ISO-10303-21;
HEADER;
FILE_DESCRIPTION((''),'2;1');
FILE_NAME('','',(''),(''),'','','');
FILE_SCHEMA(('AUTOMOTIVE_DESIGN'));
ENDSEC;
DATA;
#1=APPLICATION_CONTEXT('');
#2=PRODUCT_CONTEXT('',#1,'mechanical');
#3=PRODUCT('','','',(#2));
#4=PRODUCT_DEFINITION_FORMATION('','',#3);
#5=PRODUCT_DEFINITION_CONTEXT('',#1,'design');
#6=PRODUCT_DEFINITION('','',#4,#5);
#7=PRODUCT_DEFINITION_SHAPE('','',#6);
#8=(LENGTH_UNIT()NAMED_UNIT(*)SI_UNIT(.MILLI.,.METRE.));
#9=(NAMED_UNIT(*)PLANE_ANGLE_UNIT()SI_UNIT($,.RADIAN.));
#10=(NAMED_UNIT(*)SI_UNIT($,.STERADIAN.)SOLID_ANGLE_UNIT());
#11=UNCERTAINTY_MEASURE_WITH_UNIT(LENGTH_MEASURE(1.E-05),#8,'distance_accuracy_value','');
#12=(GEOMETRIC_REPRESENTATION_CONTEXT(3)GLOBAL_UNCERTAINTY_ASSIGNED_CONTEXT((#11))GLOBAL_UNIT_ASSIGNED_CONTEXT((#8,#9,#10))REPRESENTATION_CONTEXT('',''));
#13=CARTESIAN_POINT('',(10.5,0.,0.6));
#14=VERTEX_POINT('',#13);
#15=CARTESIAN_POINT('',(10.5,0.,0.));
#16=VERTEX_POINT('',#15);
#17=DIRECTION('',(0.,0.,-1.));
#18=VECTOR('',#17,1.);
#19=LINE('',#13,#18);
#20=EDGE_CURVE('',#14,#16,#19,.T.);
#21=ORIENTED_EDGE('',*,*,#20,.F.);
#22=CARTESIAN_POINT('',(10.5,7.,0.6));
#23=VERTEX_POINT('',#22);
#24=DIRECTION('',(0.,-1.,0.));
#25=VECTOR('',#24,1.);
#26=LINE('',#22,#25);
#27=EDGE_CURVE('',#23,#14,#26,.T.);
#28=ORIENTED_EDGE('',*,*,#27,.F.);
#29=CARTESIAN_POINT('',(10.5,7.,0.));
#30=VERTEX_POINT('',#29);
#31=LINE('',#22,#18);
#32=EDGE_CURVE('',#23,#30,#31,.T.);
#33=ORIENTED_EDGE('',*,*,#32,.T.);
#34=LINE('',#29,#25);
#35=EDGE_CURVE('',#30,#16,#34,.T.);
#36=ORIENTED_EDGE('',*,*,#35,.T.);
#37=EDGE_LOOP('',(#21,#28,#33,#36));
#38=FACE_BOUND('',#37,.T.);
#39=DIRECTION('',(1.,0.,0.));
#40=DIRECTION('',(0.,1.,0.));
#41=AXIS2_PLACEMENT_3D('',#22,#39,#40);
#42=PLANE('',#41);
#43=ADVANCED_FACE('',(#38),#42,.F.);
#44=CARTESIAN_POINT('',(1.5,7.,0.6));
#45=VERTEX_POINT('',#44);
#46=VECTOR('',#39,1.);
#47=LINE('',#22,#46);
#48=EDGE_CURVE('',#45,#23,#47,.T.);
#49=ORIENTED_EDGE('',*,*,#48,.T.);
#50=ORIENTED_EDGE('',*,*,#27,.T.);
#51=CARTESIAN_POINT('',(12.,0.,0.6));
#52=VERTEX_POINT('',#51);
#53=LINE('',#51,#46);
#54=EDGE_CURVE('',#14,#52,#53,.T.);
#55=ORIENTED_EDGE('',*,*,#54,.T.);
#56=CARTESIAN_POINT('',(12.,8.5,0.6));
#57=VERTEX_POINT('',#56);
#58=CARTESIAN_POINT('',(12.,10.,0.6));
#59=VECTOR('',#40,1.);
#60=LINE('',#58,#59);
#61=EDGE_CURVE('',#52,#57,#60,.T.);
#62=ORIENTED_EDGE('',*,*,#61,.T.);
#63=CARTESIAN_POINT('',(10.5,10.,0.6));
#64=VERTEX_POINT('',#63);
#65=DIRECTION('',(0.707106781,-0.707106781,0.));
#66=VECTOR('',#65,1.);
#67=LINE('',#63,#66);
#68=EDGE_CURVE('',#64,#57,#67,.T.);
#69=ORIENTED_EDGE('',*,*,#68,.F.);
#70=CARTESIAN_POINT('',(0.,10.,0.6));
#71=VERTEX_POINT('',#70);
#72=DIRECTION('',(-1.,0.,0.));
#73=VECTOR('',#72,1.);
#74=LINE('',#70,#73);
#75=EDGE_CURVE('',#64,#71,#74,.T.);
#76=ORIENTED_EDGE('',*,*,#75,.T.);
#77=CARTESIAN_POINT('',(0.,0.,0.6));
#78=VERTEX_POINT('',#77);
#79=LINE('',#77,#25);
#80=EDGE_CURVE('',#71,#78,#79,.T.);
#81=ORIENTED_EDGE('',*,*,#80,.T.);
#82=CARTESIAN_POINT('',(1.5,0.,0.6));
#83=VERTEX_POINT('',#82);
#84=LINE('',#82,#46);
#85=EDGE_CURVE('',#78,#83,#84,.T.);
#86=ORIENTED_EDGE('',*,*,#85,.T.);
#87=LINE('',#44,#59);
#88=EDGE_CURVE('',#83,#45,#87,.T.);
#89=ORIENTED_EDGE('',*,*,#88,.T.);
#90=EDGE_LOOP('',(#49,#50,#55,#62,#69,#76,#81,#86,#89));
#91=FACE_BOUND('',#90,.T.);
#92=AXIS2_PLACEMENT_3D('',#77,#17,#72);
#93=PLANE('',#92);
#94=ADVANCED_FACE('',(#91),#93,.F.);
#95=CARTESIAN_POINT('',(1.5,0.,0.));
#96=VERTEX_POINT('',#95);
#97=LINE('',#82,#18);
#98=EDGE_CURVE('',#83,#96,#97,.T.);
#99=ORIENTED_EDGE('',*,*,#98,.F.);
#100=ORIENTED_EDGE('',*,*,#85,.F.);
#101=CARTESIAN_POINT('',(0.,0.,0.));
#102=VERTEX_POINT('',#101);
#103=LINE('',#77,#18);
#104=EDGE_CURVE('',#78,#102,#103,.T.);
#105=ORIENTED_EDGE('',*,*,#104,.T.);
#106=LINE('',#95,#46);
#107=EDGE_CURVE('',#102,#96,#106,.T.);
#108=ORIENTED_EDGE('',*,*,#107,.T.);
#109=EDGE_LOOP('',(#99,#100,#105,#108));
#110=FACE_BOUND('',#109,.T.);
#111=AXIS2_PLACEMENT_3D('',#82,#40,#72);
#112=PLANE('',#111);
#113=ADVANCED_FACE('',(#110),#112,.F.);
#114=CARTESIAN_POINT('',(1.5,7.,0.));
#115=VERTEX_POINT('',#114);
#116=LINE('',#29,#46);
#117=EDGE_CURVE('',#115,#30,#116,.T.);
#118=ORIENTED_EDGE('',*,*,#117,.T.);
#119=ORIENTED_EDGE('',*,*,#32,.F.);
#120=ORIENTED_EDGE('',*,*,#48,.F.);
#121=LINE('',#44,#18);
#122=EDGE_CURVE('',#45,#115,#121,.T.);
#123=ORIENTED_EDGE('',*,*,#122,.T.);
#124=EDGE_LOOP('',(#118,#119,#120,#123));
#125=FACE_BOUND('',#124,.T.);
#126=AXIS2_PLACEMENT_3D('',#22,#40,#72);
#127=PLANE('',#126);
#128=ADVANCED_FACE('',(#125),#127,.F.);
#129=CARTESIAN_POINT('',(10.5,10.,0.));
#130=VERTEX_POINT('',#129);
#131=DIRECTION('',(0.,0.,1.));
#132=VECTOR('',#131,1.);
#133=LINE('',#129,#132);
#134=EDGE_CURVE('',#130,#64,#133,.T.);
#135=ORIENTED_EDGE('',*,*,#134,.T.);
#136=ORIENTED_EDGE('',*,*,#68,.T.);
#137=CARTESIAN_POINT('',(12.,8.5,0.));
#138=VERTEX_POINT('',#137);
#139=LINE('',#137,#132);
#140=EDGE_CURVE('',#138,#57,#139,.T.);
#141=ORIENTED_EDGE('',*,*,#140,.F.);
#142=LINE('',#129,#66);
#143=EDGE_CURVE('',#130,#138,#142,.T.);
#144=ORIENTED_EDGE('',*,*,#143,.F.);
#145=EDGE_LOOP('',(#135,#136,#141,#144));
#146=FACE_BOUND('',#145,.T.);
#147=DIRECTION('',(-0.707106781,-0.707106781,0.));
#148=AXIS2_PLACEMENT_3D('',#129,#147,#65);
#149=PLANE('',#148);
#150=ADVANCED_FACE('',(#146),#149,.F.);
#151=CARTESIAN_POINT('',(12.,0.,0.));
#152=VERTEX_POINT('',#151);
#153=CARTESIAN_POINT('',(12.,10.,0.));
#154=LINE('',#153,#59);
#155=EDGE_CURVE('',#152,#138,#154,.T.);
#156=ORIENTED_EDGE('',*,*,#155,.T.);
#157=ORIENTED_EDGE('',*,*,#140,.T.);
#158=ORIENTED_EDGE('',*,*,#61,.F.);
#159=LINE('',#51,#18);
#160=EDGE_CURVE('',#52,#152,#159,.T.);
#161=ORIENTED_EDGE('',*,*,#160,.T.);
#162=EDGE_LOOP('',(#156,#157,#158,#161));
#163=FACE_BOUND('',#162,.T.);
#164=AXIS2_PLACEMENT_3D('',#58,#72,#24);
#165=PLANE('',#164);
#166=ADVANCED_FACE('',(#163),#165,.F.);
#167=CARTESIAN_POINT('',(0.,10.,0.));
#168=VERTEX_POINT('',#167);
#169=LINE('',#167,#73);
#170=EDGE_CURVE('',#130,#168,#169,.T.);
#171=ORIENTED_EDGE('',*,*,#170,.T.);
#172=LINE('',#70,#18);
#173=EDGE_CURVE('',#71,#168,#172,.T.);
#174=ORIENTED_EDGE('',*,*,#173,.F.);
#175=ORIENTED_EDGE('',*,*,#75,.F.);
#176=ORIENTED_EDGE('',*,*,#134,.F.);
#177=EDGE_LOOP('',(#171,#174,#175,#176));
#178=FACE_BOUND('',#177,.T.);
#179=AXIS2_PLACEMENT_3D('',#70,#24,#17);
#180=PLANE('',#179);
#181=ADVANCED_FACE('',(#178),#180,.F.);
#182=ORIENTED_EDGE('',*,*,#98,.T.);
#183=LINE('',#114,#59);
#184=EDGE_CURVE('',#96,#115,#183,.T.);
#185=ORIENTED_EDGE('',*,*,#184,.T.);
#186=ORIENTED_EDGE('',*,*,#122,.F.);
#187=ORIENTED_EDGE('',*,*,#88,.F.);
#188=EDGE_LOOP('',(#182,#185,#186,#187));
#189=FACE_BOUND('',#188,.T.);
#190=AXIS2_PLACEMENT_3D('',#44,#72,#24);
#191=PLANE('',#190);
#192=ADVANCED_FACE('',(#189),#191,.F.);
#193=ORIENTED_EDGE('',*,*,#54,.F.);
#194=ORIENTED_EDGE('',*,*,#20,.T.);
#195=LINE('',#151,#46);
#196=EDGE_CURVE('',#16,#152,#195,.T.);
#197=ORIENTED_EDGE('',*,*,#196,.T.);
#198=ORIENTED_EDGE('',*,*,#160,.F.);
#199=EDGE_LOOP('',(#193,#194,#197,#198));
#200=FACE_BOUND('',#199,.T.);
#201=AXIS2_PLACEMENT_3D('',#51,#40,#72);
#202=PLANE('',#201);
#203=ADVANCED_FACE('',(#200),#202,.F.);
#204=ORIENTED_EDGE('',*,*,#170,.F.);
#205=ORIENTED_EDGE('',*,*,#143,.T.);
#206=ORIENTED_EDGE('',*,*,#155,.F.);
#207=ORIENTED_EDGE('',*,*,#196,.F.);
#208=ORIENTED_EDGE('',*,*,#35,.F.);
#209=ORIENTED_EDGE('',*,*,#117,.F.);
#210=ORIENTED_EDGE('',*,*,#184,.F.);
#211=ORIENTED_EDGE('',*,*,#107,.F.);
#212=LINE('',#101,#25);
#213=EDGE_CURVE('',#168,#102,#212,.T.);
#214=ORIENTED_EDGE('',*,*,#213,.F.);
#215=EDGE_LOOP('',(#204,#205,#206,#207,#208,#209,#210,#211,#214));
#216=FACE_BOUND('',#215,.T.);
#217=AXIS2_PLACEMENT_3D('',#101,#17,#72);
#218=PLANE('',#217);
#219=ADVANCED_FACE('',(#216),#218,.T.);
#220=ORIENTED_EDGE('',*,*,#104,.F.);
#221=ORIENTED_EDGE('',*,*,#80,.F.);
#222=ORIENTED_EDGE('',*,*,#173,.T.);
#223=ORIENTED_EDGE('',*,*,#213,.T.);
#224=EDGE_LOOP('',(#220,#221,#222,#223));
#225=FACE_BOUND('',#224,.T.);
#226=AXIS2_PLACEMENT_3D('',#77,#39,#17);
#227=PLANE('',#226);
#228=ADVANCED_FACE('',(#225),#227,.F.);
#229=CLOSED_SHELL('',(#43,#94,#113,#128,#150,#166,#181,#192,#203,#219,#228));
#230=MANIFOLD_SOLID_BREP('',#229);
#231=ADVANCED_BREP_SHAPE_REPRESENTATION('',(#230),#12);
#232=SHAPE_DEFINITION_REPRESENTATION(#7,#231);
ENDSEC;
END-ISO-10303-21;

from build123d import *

# Parameters (mm, degrees)
BOSS_EXTRUDE1_DEPTH = 0.6
CUT_EXTRUDE1_DEPTH  = 16.632018424


with BuildPart() as part:
    # Sketch1 → Boss-Extrude1 (new body)
    with BuildSketch(Plane.XY):
        Polygon((0, 0), (0, 10), (12, 10), (12, 0), (10.5, 0), (10.5, 7), (1.5, 7), (1.5, 0), align=None)
    extrude(amount=BOSS_EXTRUDE1_DEPTH)

    # Sketch2 → Cut-Extrude1 (cut, through all)
    with BuildSketch(Plane.XY.offset(0.6)):
        Polygon((10.5, 10), (12, 8.5), (12, 10), align=None)
    extrude(amount=-CUT_EXTRUDE1_DEPTH, mode=Mode.SUBTRACT)


solid = part.part
